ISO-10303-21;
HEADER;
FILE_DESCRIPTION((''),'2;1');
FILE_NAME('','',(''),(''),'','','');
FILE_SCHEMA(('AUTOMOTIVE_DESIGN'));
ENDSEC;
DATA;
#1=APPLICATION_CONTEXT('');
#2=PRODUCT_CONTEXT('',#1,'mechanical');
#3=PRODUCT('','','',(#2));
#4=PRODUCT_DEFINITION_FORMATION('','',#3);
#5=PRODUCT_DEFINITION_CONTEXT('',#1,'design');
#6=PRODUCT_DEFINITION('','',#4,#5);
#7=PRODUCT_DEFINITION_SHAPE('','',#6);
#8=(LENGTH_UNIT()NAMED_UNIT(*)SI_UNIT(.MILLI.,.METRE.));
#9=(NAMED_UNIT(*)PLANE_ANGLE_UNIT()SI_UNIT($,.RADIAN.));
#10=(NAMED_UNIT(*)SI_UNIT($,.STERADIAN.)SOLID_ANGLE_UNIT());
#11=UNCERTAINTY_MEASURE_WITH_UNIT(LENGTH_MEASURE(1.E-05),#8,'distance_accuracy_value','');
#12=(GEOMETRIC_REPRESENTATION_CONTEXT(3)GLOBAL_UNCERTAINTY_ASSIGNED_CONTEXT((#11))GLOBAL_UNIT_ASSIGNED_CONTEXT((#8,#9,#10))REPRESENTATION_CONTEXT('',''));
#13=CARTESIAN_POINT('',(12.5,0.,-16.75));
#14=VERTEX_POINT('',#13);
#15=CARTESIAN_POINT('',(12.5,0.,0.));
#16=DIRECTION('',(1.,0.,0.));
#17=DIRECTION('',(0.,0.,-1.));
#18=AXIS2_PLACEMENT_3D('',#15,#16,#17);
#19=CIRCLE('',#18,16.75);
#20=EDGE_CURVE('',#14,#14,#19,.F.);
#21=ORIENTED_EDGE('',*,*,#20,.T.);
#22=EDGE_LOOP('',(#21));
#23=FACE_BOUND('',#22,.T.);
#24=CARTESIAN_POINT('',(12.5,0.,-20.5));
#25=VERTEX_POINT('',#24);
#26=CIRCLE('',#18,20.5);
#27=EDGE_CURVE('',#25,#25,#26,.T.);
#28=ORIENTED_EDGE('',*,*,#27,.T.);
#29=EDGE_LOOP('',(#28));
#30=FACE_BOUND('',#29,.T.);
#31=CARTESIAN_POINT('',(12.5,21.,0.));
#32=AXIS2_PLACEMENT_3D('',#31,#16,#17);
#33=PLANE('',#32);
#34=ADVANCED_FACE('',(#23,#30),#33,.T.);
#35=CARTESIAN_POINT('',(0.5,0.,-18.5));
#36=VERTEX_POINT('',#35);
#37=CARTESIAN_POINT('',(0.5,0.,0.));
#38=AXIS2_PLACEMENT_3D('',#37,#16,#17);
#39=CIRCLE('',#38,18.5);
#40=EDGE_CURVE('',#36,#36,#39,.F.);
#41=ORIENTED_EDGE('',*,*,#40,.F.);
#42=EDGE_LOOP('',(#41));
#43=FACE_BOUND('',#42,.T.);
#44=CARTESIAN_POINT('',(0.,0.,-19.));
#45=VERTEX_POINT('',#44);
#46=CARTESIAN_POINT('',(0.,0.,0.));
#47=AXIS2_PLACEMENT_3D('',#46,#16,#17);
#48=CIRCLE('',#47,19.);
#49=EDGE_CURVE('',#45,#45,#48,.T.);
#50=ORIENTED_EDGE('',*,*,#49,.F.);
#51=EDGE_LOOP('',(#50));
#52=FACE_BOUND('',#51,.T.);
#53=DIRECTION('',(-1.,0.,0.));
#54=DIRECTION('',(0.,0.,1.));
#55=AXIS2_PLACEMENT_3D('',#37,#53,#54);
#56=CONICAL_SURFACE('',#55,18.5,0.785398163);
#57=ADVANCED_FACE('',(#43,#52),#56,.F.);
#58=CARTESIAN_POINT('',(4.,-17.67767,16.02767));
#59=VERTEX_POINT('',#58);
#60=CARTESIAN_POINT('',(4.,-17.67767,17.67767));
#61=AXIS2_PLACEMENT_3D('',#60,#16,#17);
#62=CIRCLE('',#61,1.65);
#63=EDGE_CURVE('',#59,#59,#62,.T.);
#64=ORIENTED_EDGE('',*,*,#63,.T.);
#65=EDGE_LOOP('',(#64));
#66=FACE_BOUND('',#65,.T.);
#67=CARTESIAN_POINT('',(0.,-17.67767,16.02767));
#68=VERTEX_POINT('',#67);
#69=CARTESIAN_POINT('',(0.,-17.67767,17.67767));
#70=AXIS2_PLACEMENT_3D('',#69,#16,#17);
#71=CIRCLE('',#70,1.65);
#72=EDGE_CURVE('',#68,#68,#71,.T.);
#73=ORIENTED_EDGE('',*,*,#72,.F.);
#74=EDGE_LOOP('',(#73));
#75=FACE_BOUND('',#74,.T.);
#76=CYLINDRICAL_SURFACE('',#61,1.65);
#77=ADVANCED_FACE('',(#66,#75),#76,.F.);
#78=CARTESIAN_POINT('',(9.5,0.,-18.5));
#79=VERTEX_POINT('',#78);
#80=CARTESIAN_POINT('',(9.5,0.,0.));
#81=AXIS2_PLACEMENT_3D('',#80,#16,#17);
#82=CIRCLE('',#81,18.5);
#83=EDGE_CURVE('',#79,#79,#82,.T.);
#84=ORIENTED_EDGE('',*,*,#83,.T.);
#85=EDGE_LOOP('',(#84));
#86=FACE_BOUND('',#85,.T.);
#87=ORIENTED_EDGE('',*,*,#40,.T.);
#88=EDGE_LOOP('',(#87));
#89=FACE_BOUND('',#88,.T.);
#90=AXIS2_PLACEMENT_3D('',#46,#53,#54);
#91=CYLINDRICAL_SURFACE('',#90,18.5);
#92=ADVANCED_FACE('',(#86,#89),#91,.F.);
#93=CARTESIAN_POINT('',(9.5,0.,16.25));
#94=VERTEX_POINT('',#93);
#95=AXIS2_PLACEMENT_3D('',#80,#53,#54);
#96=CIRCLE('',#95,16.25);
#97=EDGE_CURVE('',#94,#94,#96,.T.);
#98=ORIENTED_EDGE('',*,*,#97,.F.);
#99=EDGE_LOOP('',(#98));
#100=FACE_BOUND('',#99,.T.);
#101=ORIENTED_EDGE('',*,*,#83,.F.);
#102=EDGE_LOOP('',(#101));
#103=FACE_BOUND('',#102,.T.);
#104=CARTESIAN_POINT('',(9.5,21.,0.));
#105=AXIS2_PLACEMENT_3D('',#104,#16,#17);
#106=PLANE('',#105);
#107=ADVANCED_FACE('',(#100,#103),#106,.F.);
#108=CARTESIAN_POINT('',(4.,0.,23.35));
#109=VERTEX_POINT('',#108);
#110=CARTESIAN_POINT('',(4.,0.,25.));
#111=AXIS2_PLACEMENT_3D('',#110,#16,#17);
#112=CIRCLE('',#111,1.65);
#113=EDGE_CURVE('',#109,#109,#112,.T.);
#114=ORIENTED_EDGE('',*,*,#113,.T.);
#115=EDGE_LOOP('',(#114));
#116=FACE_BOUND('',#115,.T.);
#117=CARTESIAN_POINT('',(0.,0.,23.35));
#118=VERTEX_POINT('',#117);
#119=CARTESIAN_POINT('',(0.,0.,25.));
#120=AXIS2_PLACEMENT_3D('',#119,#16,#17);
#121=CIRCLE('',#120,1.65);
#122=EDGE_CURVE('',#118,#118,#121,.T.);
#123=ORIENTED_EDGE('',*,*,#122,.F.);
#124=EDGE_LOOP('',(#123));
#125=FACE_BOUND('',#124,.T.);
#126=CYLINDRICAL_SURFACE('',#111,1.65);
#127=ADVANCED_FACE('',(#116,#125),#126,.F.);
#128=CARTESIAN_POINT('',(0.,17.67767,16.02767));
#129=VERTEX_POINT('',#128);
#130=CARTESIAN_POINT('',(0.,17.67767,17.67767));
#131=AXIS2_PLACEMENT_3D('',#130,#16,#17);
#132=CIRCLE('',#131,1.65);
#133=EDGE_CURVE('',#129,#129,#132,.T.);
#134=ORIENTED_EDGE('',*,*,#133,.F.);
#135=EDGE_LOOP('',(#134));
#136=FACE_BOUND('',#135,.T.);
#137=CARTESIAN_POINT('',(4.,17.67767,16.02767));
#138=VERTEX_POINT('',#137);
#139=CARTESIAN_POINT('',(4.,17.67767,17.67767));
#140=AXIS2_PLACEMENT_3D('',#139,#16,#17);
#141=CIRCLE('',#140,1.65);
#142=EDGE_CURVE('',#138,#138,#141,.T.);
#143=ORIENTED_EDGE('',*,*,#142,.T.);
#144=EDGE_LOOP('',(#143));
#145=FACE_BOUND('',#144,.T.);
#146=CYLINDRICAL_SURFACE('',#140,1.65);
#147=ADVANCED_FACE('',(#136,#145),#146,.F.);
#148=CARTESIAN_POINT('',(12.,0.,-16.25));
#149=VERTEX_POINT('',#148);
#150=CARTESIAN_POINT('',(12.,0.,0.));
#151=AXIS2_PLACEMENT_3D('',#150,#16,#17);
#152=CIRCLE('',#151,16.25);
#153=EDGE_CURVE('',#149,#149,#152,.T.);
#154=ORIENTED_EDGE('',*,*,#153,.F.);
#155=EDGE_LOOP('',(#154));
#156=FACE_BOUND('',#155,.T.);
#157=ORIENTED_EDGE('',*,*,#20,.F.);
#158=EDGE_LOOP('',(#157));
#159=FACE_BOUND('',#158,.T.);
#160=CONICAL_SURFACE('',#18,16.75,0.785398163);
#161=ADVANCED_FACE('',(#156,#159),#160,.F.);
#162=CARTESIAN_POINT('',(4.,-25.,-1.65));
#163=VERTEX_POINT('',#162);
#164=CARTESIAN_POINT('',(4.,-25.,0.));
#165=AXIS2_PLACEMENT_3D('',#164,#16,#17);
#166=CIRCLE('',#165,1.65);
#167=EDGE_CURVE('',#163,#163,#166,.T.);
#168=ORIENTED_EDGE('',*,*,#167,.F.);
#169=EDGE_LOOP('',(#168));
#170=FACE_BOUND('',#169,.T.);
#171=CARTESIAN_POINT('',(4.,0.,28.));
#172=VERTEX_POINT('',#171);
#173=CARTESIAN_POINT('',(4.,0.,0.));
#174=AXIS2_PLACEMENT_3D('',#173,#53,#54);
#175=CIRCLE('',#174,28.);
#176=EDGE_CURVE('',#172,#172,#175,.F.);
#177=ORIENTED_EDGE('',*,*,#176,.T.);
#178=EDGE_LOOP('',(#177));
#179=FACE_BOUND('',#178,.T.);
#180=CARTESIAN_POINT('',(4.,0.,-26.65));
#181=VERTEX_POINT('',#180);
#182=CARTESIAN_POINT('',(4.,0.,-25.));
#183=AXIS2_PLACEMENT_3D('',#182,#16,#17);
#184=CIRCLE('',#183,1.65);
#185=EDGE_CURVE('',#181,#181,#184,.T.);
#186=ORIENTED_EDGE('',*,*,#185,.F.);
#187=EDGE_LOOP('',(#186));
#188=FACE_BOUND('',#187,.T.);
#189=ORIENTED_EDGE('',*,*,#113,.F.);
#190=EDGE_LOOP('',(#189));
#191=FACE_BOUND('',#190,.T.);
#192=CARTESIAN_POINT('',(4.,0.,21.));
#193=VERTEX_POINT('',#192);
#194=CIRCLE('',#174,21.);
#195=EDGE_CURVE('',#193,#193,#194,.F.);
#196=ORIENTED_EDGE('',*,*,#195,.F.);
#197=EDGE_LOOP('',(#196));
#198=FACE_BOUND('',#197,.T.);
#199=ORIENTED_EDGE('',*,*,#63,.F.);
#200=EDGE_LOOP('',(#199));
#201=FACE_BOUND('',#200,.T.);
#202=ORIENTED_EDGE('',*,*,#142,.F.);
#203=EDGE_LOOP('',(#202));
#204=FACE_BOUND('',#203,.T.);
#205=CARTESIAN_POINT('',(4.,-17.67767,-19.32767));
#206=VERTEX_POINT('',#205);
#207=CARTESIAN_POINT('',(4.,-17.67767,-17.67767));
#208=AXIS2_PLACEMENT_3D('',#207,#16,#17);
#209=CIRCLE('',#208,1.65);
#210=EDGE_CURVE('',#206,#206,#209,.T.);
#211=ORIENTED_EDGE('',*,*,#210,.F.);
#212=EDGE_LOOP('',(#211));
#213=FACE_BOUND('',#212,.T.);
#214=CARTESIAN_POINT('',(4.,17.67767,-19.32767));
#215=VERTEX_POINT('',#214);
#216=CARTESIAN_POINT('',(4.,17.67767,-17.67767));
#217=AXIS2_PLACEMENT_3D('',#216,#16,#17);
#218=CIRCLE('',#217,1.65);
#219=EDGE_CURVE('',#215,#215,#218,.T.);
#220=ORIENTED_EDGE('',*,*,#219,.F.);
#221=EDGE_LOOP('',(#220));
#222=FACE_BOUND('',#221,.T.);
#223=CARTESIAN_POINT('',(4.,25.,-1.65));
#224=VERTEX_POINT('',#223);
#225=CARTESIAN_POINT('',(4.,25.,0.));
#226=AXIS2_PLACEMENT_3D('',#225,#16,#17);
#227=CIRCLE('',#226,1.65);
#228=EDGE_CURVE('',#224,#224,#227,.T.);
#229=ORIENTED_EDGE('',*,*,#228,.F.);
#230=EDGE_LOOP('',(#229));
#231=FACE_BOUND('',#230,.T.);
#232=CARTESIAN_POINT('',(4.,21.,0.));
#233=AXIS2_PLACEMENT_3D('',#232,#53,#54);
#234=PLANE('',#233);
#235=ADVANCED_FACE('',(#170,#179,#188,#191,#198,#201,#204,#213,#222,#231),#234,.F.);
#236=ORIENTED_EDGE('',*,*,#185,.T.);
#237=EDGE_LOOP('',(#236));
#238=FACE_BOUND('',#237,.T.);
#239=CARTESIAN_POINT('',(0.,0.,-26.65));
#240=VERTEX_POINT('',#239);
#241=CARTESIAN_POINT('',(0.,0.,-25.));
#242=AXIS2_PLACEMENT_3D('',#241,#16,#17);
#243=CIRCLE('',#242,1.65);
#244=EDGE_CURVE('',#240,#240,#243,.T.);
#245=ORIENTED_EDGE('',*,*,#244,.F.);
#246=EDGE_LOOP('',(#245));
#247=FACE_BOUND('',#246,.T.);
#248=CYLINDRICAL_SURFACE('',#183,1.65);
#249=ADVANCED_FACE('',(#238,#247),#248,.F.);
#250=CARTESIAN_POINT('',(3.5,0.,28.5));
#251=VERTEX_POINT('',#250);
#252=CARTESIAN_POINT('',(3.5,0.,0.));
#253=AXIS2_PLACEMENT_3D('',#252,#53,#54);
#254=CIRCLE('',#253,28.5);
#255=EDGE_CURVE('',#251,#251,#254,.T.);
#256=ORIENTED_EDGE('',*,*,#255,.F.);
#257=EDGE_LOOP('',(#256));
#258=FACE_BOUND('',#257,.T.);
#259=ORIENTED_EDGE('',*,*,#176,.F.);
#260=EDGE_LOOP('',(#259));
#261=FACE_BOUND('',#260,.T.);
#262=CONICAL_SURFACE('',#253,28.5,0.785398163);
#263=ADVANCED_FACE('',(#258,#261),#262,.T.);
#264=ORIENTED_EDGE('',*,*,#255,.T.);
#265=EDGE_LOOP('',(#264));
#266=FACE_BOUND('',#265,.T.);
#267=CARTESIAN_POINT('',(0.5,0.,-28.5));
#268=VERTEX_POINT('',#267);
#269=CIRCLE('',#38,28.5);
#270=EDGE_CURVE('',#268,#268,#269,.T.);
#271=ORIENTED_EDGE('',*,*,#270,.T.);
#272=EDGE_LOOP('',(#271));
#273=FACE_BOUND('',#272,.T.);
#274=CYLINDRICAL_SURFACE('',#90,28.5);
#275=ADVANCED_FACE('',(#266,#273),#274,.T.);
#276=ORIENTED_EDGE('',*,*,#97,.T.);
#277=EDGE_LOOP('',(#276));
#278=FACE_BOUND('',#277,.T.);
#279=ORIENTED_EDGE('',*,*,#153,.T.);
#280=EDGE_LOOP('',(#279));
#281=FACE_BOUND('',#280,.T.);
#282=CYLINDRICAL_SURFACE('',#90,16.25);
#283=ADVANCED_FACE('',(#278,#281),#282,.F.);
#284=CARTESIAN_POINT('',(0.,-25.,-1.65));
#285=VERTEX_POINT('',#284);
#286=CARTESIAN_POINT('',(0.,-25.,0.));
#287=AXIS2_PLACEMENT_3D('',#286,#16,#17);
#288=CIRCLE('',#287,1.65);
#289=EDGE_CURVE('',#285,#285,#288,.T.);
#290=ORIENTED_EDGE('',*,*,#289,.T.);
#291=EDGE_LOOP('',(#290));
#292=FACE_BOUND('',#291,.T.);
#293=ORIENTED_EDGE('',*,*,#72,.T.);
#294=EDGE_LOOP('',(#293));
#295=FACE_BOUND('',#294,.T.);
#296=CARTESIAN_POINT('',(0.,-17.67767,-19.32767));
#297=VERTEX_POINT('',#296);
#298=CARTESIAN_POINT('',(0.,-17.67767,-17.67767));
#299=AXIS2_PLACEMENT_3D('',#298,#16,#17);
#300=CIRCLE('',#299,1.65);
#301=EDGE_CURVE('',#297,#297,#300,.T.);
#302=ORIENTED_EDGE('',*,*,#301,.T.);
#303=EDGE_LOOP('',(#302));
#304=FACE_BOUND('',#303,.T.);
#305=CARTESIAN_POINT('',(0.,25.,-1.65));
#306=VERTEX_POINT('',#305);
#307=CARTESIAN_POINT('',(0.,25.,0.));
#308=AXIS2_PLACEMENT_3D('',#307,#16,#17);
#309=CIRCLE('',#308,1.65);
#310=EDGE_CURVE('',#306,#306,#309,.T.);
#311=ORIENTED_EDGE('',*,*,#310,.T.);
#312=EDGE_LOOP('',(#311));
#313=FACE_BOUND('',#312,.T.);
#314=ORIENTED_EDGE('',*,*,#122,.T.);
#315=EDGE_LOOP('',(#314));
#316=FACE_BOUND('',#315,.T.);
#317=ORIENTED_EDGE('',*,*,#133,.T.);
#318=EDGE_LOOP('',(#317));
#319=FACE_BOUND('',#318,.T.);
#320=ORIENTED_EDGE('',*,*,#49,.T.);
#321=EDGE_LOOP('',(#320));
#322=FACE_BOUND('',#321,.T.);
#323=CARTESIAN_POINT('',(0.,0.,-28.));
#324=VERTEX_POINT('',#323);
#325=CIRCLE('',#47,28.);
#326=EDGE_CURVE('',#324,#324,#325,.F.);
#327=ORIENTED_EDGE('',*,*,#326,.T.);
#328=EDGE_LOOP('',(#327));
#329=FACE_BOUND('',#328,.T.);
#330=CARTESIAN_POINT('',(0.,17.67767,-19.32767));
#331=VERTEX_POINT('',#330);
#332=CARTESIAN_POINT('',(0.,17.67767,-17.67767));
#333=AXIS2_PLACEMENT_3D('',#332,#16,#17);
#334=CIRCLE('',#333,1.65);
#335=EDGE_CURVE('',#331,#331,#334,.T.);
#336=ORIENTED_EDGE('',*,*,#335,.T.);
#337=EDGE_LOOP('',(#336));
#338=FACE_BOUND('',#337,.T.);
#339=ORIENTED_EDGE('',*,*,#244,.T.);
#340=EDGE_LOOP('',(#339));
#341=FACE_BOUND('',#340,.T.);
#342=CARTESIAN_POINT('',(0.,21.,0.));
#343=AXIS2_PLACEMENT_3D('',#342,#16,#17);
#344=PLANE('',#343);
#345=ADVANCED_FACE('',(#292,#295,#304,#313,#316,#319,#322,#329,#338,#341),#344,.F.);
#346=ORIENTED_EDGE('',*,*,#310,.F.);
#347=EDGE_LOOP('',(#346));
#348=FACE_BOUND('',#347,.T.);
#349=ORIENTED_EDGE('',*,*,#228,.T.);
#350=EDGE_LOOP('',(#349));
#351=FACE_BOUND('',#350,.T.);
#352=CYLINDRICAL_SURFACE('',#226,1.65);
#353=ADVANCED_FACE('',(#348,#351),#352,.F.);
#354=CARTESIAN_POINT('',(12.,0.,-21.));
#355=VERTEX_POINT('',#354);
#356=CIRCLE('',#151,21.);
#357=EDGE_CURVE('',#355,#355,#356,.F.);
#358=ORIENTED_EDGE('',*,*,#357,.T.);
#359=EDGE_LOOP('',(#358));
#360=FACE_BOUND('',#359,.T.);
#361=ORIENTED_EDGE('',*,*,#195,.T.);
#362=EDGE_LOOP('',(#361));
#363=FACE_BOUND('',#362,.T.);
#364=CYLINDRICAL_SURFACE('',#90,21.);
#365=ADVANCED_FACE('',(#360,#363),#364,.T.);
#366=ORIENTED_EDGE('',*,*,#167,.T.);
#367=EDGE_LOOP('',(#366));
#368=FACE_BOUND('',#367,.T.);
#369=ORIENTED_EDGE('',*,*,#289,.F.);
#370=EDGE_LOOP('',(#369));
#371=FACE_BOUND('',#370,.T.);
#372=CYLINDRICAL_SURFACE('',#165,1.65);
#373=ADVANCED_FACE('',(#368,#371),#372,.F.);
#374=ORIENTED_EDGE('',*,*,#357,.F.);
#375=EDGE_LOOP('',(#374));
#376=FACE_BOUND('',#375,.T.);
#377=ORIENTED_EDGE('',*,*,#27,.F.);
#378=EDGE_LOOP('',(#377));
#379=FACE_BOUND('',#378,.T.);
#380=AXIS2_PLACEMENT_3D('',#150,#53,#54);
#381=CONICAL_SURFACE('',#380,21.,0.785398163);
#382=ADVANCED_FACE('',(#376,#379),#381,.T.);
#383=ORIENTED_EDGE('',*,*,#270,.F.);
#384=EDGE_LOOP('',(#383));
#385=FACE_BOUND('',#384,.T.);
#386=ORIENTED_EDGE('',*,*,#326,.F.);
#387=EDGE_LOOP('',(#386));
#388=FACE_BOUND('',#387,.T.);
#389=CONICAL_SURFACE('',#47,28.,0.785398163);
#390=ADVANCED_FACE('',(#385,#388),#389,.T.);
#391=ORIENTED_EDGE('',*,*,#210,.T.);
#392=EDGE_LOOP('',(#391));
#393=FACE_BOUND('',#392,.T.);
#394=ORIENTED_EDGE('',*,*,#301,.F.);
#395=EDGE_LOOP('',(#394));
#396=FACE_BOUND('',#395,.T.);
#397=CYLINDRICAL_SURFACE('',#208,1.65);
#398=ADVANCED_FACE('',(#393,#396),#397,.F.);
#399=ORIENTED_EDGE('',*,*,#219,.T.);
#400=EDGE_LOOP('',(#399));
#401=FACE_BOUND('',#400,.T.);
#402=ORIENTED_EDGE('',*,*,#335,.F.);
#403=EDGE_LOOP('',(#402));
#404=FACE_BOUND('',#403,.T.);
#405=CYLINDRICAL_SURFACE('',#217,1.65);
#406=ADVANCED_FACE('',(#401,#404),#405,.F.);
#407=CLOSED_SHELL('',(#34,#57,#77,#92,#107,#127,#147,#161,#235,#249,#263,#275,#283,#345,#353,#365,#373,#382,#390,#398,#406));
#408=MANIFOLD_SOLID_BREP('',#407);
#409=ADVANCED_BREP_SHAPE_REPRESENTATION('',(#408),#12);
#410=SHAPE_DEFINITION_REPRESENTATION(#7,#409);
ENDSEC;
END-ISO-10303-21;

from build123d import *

# Parameters (mm, degrees)
SKETCH_1_W               = 4
SKETCH_1_H               = 7.5
CHAMFER_1_SIZE           = 0.5
HOLE_WIZARD_M4_1_D       = 3.3
PATTERN_CIRCULAR_1_COUNT = 8


with BuildPart() as part:
    # 草图1 → 旋转1 (revolve)
    with BuildSketch(Plane.XY, mode=Mode.PRIVATE) as revolve_1_sk:
        with Locations((2, 24.75)):
            Rectangle(SKETCH_1_W, SKETCH_1_H)
        Polygon((4, 21), (0, 21), (0, 18.5), (9.5, 18.5), (9.5, 21), align=None)
        Polygon((12.5, 21), (9.5, 21), (9.5, 18.5), (9.5, 16.25), (12.5, 16.25), align=None)
    revolve(revolve_1_sk.sketch.rotate(Axis((0, 0, 0), (1, 0, 0)), 90), axis=Axis((0, 0, 0), (1, 0, 0)))

    # 倒角1
    chamfer_1_edges = [part.edges().sort_by_distance(p)[0] for p in [
        (0, 0, -18.5),
        (0, 0, -28.5),
        (4, 0, -28.5),
        (12.5, 0, -16.25),
        (12.5, 0, -21),
    ]]
    chamfer(chamfer_1_edges, length=CHAMFER_1_SIZE)

    # M4 螺纹孔1 (through all)
    with Locations(Plane(origin=(4, 0, 0), x_dir=(0, 0, -1), z_dir=(1, 0, 0))):
        with Locations((0, 25)):
            hole_wizard_m4_1 = Hole(HOLE_WIZARD_M4_1_D / 2)

    # 阵列(圆周)1: M4 螺纹孔1 ×8 about axis
    pattern_circular_1_axis = Axis((0, 0, 0), (1, 0, 0))
    for i in range(1, PATTERN_CIRCULAR_1_COUNT):
        add(hole_wizard_m4_1.rotate(pattern_circular_1_axis, i * 360 / PATTERN_CIRCULAR_1_COUNT), mode=Mode.SUBTRACT)


solid = part.part
